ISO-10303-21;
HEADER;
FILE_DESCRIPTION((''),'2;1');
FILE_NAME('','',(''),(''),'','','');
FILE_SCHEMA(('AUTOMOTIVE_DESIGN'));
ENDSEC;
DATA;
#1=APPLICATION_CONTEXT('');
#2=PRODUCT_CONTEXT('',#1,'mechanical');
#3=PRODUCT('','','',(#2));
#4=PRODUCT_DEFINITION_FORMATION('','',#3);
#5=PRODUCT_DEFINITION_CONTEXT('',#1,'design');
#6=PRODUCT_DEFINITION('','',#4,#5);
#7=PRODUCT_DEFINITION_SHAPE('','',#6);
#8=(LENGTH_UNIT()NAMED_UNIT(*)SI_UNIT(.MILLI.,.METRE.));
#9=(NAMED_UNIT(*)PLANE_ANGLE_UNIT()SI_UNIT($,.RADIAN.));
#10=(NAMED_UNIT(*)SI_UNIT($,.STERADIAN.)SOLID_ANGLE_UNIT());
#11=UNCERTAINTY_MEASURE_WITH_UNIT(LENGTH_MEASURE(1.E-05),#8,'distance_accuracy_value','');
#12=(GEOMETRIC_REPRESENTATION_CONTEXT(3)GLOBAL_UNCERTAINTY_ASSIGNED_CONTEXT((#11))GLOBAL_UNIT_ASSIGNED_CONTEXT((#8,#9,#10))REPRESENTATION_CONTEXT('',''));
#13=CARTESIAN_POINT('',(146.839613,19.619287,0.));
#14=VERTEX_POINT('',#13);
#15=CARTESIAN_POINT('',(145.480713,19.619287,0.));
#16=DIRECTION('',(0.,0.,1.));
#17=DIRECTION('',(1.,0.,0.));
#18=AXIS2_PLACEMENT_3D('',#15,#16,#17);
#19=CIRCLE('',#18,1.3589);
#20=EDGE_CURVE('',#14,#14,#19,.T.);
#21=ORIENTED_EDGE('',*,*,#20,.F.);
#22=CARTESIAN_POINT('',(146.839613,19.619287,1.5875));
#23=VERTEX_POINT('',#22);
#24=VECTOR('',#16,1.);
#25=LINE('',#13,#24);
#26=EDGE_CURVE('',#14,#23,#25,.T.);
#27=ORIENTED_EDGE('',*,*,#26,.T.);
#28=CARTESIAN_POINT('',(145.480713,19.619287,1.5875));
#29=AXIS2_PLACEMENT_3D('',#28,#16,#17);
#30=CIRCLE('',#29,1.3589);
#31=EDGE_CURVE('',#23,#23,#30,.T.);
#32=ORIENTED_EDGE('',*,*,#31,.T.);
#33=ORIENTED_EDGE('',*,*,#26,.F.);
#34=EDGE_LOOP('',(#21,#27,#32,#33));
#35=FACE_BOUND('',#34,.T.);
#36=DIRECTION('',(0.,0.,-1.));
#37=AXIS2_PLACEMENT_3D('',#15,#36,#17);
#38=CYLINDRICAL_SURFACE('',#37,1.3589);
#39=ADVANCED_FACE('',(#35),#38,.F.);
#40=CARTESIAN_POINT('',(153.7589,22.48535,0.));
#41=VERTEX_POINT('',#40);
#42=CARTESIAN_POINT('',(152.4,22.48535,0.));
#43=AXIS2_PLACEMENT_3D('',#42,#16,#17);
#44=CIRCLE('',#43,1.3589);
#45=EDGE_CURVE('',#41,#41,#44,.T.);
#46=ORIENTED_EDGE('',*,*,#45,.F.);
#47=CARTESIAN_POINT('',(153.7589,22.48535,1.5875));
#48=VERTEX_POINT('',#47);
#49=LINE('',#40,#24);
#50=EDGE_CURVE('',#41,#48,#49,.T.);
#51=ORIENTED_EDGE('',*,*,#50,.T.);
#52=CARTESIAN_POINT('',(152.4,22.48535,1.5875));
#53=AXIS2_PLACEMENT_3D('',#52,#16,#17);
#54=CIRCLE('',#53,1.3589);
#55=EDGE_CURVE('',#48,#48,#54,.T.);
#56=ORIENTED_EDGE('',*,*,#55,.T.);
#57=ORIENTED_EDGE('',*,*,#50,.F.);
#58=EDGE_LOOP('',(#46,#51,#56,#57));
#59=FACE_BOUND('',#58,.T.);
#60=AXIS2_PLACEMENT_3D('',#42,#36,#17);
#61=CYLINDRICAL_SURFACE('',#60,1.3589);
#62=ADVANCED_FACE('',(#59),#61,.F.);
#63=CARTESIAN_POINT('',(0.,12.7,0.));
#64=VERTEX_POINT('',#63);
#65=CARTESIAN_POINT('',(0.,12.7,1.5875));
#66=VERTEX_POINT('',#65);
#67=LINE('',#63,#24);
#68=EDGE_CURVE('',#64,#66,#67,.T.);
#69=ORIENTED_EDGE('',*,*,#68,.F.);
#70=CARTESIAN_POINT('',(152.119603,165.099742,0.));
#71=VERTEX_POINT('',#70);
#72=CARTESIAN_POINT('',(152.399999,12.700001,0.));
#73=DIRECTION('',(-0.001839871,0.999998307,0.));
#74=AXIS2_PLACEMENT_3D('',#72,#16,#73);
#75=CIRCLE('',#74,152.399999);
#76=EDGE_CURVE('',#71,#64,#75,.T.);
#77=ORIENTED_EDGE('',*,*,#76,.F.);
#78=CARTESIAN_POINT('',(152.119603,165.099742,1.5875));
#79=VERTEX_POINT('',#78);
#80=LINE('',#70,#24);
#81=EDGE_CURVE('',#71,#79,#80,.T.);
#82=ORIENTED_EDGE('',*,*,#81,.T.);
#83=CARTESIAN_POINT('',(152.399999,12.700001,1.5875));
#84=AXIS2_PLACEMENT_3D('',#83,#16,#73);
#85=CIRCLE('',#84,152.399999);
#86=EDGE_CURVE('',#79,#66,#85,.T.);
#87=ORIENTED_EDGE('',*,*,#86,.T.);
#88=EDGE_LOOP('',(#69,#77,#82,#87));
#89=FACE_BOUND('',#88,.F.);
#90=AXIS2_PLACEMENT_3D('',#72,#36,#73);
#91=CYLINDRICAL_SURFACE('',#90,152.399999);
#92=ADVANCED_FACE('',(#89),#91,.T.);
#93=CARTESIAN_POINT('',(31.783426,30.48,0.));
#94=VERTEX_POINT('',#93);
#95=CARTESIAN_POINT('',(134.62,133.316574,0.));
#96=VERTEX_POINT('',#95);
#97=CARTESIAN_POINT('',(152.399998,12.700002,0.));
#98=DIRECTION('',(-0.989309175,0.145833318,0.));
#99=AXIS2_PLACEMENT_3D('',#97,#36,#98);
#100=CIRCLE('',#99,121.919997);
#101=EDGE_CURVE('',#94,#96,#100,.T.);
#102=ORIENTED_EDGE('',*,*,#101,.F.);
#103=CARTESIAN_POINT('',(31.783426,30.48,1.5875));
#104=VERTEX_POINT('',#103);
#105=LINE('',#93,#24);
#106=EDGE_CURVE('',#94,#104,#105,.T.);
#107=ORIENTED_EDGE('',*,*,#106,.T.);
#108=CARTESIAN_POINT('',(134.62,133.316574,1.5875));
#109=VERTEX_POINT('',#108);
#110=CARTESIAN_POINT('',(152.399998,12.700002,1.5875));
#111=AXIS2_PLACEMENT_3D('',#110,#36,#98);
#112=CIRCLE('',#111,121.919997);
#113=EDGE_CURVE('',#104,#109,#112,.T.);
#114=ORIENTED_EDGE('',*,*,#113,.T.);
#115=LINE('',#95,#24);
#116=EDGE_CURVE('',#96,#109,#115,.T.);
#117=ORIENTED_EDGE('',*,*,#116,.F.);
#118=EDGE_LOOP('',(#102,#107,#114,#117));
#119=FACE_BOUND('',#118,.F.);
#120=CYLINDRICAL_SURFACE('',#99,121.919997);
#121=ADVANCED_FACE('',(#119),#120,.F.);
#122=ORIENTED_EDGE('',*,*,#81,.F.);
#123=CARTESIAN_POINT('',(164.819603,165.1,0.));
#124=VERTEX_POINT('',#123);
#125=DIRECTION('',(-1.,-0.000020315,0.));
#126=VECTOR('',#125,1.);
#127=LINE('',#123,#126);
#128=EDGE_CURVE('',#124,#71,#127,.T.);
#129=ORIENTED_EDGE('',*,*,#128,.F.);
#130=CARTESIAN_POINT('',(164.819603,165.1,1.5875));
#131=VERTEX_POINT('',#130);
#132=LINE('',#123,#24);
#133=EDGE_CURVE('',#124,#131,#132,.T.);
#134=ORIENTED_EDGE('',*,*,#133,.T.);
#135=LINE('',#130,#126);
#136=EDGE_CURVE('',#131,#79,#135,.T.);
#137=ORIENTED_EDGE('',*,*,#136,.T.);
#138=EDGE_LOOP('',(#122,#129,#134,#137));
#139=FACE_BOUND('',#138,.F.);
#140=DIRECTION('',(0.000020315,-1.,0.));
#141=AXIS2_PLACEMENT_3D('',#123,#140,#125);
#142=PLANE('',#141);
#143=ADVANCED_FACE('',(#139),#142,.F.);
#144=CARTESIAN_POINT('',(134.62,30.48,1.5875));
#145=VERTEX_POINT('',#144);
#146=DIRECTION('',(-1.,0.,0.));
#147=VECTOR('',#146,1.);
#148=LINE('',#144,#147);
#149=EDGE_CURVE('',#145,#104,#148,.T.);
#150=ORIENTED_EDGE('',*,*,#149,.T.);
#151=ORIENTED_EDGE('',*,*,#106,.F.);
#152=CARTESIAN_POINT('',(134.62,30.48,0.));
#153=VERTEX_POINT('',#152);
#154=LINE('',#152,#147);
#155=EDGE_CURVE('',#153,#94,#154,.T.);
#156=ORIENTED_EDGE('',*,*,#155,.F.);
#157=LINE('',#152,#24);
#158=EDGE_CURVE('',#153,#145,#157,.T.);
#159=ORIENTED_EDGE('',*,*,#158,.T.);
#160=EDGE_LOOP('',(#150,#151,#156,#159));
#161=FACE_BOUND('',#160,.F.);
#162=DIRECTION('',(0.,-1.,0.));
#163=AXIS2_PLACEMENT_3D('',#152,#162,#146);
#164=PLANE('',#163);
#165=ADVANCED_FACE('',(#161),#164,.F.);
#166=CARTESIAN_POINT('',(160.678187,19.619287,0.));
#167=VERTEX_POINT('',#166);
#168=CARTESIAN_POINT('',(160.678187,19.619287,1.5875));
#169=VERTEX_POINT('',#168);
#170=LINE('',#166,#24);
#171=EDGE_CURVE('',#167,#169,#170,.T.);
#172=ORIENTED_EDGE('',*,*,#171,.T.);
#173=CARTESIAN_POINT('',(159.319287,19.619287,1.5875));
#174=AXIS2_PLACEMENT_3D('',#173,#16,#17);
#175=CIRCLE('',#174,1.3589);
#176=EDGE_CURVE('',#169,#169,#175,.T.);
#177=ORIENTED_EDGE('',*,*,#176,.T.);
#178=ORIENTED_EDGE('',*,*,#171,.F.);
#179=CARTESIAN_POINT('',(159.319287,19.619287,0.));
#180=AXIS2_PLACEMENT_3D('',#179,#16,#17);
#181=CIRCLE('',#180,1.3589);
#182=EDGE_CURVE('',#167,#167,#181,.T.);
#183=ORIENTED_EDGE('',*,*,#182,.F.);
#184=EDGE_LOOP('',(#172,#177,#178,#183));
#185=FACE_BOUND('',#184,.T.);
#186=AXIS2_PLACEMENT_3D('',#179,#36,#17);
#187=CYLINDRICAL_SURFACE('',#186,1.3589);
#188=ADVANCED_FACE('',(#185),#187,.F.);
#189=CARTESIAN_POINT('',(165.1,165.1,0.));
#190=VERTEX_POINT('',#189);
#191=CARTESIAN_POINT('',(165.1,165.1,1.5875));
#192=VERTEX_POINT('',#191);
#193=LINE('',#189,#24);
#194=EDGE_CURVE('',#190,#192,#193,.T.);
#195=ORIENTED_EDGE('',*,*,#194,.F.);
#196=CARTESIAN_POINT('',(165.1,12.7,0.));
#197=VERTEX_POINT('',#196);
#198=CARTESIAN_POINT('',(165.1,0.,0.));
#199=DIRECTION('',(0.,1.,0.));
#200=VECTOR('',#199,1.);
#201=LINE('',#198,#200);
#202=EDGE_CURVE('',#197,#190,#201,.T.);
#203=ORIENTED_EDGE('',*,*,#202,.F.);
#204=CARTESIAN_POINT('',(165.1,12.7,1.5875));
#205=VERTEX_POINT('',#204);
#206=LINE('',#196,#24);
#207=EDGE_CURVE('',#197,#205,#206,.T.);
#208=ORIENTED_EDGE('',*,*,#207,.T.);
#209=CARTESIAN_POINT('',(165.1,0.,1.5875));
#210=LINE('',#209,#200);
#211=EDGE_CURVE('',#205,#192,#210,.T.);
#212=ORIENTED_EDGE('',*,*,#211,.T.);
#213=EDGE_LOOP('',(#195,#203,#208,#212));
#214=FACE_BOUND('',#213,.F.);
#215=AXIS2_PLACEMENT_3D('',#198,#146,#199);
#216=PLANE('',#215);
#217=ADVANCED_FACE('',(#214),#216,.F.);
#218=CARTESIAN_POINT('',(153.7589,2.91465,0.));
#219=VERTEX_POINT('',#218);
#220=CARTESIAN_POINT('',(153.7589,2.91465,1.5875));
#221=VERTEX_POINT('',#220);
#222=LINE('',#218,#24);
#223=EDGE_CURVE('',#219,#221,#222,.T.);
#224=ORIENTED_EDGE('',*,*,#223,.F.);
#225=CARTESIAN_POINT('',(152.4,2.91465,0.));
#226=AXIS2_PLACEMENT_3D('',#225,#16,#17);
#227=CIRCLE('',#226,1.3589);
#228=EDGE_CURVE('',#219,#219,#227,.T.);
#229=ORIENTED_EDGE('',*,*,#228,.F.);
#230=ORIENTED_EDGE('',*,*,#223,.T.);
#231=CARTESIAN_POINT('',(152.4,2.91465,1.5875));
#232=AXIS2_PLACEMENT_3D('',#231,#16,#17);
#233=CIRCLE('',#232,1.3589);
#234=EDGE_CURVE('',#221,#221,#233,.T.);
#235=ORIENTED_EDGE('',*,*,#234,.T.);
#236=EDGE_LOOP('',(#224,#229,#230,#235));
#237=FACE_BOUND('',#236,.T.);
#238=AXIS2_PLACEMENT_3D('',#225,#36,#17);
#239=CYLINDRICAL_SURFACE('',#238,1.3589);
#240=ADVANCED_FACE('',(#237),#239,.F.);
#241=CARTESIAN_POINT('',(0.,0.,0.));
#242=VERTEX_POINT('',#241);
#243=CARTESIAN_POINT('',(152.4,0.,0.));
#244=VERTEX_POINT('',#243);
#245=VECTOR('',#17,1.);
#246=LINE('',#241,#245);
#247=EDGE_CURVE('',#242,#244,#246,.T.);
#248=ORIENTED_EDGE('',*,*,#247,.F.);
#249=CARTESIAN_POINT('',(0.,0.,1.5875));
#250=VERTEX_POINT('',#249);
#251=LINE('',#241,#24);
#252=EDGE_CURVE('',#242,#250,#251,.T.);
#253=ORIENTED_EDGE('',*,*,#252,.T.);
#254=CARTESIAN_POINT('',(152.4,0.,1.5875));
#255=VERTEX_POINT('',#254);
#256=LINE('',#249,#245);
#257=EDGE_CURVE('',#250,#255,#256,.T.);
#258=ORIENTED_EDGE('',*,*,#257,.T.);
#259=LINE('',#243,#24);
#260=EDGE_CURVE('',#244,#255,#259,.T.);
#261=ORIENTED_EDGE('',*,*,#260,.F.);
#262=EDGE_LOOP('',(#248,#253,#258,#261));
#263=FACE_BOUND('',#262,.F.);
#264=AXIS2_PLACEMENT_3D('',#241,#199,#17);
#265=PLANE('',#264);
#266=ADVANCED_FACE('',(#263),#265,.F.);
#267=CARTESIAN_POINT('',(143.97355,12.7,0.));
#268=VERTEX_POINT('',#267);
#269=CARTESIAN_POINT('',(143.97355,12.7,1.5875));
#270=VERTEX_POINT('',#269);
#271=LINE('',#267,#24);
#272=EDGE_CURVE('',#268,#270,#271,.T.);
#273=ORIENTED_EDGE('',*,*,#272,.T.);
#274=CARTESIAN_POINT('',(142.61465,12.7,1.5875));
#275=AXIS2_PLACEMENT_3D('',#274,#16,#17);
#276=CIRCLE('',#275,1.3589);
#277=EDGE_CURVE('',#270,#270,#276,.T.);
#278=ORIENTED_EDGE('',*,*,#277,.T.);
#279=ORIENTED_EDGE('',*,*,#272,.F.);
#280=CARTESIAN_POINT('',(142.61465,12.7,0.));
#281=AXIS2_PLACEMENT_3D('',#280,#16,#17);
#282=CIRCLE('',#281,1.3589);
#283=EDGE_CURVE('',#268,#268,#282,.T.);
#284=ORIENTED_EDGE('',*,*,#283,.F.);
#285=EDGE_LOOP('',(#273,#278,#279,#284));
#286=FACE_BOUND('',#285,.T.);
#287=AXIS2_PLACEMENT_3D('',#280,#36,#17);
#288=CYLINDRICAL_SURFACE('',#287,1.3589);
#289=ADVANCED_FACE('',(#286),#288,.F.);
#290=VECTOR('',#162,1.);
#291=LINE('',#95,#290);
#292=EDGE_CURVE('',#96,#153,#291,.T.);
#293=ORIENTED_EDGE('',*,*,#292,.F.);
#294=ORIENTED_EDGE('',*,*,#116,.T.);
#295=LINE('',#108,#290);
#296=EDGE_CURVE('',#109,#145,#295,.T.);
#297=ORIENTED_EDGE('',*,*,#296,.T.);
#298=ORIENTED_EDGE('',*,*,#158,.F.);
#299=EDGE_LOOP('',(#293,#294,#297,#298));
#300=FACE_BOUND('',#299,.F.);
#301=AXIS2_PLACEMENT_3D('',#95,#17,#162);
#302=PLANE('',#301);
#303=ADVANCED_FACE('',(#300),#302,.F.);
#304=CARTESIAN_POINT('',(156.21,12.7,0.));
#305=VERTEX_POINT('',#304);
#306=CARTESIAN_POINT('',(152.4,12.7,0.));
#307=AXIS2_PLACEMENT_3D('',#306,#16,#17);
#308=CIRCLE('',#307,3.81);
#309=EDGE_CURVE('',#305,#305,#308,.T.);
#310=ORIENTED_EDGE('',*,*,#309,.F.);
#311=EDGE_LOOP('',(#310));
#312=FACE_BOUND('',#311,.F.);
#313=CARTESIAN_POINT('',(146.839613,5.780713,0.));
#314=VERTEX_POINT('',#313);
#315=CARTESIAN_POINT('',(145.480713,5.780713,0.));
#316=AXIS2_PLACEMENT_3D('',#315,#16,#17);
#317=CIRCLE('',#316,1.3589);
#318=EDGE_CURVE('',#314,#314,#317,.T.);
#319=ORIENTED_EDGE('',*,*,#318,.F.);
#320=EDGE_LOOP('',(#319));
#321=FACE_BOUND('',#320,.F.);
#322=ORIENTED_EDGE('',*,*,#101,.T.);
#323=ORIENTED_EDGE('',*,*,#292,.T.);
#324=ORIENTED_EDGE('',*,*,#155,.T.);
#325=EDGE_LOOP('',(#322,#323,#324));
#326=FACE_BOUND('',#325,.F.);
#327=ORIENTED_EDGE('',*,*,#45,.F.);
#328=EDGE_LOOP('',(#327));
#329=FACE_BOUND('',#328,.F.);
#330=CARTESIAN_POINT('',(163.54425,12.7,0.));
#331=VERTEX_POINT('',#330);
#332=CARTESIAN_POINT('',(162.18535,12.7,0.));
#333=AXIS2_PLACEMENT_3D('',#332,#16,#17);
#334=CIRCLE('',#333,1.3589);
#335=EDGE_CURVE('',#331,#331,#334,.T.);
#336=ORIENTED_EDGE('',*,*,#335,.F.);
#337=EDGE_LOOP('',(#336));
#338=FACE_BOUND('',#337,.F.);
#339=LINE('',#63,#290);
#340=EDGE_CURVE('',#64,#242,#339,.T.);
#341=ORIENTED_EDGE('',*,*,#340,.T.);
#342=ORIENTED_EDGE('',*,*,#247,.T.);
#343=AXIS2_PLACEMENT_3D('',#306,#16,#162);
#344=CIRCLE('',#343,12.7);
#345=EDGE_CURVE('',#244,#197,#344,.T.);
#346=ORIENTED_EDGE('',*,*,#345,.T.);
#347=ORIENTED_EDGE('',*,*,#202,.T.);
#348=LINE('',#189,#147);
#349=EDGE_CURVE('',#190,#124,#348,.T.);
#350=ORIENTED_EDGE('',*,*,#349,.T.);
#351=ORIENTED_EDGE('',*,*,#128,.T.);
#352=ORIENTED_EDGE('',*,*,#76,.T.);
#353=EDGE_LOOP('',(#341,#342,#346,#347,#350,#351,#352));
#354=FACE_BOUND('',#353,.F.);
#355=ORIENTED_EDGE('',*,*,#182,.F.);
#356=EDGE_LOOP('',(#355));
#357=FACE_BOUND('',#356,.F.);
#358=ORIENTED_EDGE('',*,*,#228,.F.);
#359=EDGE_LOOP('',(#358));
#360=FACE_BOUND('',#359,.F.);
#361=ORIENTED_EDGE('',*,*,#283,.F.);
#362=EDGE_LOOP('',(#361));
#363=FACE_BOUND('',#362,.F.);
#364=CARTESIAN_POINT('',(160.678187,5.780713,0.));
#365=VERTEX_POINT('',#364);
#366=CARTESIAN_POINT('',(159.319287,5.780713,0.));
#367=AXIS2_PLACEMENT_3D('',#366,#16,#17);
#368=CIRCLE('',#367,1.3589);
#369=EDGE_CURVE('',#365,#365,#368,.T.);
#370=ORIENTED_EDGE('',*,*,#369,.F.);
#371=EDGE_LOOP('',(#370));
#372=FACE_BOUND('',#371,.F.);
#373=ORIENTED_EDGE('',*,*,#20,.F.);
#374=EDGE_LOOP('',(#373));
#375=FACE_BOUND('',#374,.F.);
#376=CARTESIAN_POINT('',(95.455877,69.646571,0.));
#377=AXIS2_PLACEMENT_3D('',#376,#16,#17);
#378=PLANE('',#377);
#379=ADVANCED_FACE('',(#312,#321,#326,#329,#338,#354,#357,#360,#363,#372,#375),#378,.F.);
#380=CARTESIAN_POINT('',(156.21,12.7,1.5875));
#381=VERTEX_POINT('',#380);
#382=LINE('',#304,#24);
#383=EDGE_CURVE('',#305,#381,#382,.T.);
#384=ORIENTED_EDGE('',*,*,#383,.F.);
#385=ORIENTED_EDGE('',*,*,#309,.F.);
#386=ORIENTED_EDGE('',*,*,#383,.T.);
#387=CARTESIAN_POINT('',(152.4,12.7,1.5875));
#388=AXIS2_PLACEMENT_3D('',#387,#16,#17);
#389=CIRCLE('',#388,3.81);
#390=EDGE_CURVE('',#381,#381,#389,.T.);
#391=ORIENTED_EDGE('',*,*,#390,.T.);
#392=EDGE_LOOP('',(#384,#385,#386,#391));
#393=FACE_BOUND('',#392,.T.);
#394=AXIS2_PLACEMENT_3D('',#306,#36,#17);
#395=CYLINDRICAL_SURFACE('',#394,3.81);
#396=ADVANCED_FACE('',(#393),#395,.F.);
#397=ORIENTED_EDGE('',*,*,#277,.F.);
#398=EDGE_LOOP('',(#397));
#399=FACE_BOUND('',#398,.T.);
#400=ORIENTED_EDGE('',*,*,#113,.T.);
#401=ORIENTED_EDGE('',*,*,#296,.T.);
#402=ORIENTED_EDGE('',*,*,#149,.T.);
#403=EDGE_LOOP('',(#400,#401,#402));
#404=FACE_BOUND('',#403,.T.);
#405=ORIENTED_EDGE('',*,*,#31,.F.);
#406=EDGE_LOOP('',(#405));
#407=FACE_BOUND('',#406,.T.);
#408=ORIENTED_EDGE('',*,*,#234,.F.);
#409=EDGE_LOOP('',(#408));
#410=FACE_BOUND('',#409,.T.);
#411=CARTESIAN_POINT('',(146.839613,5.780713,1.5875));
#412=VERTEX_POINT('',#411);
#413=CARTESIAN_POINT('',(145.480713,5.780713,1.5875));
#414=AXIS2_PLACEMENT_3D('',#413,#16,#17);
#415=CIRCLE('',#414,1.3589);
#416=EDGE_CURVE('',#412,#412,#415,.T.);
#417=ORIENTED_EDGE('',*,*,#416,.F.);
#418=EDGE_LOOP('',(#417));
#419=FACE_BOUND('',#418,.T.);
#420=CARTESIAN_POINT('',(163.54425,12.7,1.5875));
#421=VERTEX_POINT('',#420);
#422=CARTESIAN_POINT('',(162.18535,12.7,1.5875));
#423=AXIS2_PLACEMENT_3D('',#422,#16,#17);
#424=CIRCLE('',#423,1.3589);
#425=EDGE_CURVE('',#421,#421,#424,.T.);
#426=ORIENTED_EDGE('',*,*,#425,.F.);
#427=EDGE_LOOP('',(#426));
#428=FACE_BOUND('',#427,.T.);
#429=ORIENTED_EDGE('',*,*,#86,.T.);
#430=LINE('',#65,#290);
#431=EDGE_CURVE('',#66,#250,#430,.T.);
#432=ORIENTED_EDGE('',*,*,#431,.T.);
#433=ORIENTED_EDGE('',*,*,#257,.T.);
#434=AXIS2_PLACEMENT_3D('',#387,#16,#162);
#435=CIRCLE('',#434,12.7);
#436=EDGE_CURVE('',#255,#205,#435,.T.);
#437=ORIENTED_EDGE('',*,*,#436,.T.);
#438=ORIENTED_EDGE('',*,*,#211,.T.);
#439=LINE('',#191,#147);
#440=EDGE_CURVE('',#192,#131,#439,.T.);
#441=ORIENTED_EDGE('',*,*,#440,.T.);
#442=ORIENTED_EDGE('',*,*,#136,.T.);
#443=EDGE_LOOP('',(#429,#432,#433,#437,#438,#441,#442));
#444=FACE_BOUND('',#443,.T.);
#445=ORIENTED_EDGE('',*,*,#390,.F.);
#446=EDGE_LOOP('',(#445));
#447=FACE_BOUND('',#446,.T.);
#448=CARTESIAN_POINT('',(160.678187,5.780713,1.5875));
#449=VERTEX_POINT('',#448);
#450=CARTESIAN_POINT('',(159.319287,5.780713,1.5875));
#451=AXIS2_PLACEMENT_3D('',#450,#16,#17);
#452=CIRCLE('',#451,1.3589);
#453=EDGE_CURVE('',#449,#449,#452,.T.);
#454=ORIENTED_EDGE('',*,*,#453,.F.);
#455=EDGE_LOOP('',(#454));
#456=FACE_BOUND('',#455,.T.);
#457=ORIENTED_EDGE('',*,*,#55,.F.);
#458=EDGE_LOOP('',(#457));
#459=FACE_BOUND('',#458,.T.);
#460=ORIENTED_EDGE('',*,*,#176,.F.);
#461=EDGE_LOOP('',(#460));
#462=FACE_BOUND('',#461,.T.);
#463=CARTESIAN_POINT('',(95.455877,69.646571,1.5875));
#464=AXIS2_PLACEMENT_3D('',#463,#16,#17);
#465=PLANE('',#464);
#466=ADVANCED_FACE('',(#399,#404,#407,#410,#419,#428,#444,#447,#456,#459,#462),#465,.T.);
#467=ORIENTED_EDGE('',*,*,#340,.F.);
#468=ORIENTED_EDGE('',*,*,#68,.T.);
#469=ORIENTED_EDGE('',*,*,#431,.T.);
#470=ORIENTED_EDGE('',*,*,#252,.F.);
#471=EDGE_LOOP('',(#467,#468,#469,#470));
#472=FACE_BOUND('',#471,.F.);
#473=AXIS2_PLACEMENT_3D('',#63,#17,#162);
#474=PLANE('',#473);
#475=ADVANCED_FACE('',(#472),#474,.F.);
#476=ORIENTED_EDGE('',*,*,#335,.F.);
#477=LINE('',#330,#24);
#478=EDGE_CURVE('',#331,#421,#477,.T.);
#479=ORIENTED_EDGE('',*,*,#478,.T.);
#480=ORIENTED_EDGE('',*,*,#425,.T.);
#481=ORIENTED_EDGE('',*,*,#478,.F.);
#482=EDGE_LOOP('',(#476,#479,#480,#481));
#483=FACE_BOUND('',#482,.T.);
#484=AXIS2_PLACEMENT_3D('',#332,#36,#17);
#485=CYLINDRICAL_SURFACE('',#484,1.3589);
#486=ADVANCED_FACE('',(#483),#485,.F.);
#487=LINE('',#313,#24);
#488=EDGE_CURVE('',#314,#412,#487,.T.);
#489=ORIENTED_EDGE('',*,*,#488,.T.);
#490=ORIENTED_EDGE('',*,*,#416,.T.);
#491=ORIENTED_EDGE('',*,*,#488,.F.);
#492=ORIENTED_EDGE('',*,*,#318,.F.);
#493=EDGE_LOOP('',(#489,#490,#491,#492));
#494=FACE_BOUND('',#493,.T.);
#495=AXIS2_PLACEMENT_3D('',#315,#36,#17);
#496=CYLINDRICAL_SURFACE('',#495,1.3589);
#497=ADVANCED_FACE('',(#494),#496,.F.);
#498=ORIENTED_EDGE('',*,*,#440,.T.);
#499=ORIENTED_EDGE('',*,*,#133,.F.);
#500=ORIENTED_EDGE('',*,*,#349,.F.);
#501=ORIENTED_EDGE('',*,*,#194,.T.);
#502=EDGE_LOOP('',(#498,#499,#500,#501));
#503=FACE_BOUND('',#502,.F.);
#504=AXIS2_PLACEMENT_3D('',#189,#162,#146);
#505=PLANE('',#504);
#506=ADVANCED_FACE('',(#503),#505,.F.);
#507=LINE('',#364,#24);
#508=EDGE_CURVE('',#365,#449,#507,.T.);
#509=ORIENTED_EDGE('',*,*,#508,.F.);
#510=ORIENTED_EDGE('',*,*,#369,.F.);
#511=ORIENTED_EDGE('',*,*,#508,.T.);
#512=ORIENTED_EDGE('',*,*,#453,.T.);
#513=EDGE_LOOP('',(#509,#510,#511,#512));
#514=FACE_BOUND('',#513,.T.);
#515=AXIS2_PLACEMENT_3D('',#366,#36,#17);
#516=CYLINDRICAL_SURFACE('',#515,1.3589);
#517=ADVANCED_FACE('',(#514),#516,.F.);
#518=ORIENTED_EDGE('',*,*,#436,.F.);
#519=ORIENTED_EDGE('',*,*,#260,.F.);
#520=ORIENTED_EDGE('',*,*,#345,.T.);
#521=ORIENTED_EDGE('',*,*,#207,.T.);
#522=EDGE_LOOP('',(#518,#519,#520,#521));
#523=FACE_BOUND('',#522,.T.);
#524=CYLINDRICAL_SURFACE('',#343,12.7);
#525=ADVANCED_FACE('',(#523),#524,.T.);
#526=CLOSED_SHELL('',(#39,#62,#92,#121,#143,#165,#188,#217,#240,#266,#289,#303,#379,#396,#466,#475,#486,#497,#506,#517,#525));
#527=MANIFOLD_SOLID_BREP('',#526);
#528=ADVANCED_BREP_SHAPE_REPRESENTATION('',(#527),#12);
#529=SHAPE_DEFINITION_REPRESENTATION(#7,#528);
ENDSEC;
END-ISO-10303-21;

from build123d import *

# Parameters (mm, degrees)
F0_R     = 1.3589
F0_R_2   = 3.81
F1_DEPTH = 1.5875
F2_R     = 12.7


with BuildPart() as f1:
    # F0 (on Top) → F1 (new body)
    with BuildSketch(Plane.XY):
        with BuildLine():
            Line((0, 12.7), (0, 0))
            Line((0, 0), (165.1, 0))
            Line((165.1, 0), (165.1, 25.4))
            Line((165.1, 25.4), (165.1, 165.1))
            Line((165.1, 165.1), (164.819603, 165.1))
            Line((164.819603, 165.1), (152.119603, 165.099742))
            ThreePointArc((152.119603, 165.099742), (44.537837, 120.363893), (0, 12.7))
        make_face()
        with Locations((142.61465, 12.7)):
            Circle(F0_R, mode=Mode.SUBTRACT)
        with Locations((152.4, 2.91465)):
            Circle(F0_R, mode=Mode.SUBTRACT)
        with Locations((145.480713, 5.780713)):
            Circle(F0_R, mode=Mode.SUBTRACT)
        with Locations((159.319287, 5.780713)):
            Circle(F0_R, mode=Mode.SUBTRACT)
        with Locations((152.4, 12.7)):
            Circle(F0_R_2, mode=Mode.SUBTRACT)
        with Locations((145.480713, 19.619287)):
            Circle(F0_R, mode=Mode.SUBTRACT)
        with Locations((162.18535, 12.7)):
            Circle(F0_R, mode=Mode.SUBTRACT)
        with Locations((159.319287, 19.619287)):
            Circle(F0_R, mode=Mode.SUBTRACT)
        with Locations((152.4, 22.48535)):
            Circle(F0_R, mode=Mode.SUBTRACT)
        with BuildLine():
            ThreePointArc((31.783426, 30.48), (66.189541, 98.910459), (134.62, 133.316574))
            Line((134.62, 133.316574), (134.62, 30.48))
            Line((134.62, 30.48), (31.783426, 30.48))
        make_face(mode=Mode.SUBTRACT)
    extrude(amount=F1_DEPTH)

    # F2
    f2_edges = [f1.edges().sort_by_distance(p)[0] for p in [
        (165.1, 0, 0.79375),
    ]]
    fillet(f2_edges, radius=F2_R)


solid = f1.part
